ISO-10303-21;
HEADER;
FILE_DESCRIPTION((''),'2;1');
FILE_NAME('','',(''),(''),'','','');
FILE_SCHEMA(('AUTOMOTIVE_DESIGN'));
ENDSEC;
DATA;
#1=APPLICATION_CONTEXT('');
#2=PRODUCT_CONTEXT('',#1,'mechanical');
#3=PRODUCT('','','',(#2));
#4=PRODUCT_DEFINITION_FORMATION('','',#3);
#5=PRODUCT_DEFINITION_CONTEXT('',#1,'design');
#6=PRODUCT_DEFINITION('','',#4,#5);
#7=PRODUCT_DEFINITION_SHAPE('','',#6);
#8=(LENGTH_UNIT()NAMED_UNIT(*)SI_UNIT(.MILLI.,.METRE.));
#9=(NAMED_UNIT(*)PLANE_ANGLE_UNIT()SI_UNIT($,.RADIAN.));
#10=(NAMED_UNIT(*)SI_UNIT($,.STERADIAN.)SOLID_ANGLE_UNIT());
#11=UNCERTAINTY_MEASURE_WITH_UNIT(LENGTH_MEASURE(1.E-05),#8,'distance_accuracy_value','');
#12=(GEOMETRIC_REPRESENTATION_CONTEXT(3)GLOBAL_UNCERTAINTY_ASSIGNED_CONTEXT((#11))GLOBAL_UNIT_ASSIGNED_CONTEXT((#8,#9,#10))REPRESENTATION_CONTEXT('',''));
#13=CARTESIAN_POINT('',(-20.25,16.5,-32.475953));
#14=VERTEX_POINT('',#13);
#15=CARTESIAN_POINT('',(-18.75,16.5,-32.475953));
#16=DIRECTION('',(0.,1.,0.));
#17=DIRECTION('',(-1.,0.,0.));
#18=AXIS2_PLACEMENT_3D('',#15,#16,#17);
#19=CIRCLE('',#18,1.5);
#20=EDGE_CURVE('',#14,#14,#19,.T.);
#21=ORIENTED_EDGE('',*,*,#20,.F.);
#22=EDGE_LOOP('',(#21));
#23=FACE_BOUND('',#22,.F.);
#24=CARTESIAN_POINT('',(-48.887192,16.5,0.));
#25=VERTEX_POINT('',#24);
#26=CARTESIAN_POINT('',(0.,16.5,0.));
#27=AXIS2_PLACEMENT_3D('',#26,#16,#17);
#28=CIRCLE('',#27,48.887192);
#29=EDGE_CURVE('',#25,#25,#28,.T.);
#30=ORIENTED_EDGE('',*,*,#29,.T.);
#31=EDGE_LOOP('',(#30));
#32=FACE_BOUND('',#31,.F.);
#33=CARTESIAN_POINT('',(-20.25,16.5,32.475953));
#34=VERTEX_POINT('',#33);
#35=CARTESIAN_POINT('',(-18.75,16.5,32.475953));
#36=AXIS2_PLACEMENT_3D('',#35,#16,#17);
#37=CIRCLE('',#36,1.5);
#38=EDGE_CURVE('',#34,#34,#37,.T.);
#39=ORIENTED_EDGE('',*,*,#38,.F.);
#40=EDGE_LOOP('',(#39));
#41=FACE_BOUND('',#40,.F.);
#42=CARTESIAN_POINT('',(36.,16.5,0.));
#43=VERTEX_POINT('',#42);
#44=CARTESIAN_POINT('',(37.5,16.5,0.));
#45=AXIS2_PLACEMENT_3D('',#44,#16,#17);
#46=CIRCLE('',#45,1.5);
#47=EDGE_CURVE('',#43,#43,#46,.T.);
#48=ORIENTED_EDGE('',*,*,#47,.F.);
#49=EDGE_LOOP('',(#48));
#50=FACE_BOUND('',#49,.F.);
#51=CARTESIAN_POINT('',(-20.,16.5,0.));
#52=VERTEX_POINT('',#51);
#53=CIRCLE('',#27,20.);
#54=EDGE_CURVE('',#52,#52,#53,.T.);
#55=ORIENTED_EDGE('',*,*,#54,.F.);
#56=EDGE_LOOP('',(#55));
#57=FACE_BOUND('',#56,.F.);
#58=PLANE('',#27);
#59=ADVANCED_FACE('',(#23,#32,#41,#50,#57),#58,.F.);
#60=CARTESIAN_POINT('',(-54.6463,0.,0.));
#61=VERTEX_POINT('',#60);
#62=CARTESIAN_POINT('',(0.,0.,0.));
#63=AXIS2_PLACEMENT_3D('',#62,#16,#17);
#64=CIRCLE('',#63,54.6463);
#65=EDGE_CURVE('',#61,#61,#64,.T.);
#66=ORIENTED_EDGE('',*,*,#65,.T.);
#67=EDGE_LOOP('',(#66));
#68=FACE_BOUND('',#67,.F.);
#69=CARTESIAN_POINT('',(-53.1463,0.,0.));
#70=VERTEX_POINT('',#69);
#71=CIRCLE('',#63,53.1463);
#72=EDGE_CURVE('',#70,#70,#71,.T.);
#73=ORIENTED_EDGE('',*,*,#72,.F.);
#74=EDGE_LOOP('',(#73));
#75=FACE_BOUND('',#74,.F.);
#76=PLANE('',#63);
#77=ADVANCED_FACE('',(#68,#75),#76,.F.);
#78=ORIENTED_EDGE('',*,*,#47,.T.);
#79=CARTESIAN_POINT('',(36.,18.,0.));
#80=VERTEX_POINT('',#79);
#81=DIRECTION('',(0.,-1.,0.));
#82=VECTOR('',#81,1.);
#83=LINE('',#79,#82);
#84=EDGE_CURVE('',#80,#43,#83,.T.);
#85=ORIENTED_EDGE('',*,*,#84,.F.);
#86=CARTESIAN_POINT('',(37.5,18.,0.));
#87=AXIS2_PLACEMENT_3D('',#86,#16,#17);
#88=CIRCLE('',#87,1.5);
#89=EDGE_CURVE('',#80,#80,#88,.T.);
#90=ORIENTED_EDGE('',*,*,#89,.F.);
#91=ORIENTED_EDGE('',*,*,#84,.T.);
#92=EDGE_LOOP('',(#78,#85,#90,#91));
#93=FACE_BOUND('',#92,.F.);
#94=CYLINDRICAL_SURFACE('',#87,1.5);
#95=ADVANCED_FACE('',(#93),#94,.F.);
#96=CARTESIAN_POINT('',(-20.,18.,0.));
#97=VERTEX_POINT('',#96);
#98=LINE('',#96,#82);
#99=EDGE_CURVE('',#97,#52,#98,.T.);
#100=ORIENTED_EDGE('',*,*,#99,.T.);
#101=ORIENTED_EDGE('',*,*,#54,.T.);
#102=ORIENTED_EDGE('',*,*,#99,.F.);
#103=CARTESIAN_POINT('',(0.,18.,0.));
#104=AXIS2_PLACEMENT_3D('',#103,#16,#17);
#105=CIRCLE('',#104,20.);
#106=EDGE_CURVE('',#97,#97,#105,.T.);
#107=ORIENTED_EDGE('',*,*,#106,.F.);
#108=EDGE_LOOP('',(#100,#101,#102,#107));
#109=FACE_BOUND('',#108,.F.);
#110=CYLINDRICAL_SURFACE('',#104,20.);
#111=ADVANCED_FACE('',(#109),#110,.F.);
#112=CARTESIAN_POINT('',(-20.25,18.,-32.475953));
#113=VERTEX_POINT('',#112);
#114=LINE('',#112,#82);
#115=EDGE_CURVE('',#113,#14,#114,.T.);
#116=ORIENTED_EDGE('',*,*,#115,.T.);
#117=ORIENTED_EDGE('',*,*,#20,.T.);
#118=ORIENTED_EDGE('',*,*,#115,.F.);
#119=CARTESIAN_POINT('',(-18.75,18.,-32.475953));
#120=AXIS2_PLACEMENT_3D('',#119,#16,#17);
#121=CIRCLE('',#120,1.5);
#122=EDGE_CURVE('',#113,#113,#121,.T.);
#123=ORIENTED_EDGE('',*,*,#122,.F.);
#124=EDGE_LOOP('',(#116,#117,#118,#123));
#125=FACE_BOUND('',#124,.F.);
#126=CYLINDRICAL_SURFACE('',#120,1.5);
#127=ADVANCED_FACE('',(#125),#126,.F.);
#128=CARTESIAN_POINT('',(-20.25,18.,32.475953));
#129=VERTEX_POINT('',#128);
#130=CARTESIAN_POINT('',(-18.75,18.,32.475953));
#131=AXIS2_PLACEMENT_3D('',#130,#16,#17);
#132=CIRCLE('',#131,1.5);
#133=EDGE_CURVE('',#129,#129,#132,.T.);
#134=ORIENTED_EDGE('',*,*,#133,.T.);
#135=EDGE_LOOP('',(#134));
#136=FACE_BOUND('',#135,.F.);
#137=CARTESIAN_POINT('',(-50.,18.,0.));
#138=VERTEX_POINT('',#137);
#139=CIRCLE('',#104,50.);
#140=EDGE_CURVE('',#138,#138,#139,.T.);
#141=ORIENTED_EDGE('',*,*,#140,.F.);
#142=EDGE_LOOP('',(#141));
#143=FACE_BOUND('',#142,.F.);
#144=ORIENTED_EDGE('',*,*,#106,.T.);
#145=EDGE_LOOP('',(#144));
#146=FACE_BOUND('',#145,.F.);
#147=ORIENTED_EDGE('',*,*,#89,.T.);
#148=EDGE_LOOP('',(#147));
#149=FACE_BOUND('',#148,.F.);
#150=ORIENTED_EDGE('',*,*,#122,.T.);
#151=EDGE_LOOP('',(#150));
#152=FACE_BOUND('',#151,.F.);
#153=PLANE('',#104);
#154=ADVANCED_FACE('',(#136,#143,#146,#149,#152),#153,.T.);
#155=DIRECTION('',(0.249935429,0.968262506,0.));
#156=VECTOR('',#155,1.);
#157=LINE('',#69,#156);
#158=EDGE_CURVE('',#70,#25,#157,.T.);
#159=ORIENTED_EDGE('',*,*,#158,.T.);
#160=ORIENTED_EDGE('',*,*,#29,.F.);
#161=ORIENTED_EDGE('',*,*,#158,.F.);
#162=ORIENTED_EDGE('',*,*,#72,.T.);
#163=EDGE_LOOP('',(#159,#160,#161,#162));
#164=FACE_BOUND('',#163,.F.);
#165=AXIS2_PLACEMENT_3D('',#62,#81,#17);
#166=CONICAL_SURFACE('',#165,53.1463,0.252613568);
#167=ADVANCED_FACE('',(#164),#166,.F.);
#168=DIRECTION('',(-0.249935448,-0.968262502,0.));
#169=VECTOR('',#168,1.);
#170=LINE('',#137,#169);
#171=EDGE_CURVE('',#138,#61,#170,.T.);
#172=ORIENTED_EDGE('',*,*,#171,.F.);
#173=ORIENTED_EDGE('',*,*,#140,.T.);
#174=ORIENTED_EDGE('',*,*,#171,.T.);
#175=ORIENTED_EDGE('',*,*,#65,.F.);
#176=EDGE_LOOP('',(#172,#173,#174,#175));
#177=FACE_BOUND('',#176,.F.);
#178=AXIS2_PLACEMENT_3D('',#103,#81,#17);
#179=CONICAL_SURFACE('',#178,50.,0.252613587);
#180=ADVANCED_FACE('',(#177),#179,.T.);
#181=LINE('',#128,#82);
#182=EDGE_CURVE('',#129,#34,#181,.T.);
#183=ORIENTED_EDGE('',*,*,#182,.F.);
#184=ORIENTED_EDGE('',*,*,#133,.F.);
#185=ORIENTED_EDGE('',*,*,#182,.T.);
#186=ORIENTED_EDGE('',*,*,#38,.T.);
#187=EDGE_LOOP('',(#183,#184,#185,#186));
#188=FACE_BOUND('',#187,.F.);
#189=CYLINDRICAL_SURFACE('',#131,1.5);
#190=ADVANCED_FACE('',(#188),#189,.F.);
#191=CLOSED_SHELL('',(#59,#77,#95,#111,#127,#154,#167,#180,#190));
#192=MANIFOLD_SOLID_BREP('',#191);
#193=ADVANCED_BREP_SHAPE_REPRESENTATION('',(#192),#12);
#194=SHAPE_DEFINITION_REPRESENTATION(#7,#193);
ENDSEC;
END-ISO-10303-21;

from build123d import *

# Parameters (mm, degrees)
SKETCH001_R     = 1.5
HOLE_DEPTH      = 25
COPYSKETCH002_R = 20
POCKET_DEPTH    = 5


with BuildPart() as part:
    # Sketch → Revolution (revolve)
    with BuildSketch(Plane.XY):
        Polygon((-54.6463, 0), (-53.1463, 0), (-48.887192, 16.5), (0, 16.5), (0, 18), (-50, 18), align=None)
    revolve(axis=Axis((0, 0, 0), (0, 1, 0)))

    # Sketch001 (on Face4 of Revolution) → Hole (cut)
    with BuildSketch(Plane(origin=(0, 18, 0), x_dir=(-1, 0, 0), z_dir=(0, 1, 0))):
        with Locations((-37.5, 0)):
            Circle(SKETCH001_R)
        with Locations((18.75, 32.475953)):
            Circle(SKETCH001_R)
        with Locations((18.75, -32.475953)):
            Circle(SKETCH001_R)
        Circle(SKETCH001_R)
    extrude(amount=-HOLE_DEPTH, mode=Mode.SUBTRACT)

    # CopySketch002 → Pocket (cut)
    with BuildSketch(Plane(origin=(0, 18, 0), x_dir=(-1, 0, 0), z_dir=(0, 1, 0))):
        Circle(COPYSKETCH002_R)
    extrude(amount=-POCKET_DEPTH, mode=Mode.SUBTRACT)


solid = part.part
